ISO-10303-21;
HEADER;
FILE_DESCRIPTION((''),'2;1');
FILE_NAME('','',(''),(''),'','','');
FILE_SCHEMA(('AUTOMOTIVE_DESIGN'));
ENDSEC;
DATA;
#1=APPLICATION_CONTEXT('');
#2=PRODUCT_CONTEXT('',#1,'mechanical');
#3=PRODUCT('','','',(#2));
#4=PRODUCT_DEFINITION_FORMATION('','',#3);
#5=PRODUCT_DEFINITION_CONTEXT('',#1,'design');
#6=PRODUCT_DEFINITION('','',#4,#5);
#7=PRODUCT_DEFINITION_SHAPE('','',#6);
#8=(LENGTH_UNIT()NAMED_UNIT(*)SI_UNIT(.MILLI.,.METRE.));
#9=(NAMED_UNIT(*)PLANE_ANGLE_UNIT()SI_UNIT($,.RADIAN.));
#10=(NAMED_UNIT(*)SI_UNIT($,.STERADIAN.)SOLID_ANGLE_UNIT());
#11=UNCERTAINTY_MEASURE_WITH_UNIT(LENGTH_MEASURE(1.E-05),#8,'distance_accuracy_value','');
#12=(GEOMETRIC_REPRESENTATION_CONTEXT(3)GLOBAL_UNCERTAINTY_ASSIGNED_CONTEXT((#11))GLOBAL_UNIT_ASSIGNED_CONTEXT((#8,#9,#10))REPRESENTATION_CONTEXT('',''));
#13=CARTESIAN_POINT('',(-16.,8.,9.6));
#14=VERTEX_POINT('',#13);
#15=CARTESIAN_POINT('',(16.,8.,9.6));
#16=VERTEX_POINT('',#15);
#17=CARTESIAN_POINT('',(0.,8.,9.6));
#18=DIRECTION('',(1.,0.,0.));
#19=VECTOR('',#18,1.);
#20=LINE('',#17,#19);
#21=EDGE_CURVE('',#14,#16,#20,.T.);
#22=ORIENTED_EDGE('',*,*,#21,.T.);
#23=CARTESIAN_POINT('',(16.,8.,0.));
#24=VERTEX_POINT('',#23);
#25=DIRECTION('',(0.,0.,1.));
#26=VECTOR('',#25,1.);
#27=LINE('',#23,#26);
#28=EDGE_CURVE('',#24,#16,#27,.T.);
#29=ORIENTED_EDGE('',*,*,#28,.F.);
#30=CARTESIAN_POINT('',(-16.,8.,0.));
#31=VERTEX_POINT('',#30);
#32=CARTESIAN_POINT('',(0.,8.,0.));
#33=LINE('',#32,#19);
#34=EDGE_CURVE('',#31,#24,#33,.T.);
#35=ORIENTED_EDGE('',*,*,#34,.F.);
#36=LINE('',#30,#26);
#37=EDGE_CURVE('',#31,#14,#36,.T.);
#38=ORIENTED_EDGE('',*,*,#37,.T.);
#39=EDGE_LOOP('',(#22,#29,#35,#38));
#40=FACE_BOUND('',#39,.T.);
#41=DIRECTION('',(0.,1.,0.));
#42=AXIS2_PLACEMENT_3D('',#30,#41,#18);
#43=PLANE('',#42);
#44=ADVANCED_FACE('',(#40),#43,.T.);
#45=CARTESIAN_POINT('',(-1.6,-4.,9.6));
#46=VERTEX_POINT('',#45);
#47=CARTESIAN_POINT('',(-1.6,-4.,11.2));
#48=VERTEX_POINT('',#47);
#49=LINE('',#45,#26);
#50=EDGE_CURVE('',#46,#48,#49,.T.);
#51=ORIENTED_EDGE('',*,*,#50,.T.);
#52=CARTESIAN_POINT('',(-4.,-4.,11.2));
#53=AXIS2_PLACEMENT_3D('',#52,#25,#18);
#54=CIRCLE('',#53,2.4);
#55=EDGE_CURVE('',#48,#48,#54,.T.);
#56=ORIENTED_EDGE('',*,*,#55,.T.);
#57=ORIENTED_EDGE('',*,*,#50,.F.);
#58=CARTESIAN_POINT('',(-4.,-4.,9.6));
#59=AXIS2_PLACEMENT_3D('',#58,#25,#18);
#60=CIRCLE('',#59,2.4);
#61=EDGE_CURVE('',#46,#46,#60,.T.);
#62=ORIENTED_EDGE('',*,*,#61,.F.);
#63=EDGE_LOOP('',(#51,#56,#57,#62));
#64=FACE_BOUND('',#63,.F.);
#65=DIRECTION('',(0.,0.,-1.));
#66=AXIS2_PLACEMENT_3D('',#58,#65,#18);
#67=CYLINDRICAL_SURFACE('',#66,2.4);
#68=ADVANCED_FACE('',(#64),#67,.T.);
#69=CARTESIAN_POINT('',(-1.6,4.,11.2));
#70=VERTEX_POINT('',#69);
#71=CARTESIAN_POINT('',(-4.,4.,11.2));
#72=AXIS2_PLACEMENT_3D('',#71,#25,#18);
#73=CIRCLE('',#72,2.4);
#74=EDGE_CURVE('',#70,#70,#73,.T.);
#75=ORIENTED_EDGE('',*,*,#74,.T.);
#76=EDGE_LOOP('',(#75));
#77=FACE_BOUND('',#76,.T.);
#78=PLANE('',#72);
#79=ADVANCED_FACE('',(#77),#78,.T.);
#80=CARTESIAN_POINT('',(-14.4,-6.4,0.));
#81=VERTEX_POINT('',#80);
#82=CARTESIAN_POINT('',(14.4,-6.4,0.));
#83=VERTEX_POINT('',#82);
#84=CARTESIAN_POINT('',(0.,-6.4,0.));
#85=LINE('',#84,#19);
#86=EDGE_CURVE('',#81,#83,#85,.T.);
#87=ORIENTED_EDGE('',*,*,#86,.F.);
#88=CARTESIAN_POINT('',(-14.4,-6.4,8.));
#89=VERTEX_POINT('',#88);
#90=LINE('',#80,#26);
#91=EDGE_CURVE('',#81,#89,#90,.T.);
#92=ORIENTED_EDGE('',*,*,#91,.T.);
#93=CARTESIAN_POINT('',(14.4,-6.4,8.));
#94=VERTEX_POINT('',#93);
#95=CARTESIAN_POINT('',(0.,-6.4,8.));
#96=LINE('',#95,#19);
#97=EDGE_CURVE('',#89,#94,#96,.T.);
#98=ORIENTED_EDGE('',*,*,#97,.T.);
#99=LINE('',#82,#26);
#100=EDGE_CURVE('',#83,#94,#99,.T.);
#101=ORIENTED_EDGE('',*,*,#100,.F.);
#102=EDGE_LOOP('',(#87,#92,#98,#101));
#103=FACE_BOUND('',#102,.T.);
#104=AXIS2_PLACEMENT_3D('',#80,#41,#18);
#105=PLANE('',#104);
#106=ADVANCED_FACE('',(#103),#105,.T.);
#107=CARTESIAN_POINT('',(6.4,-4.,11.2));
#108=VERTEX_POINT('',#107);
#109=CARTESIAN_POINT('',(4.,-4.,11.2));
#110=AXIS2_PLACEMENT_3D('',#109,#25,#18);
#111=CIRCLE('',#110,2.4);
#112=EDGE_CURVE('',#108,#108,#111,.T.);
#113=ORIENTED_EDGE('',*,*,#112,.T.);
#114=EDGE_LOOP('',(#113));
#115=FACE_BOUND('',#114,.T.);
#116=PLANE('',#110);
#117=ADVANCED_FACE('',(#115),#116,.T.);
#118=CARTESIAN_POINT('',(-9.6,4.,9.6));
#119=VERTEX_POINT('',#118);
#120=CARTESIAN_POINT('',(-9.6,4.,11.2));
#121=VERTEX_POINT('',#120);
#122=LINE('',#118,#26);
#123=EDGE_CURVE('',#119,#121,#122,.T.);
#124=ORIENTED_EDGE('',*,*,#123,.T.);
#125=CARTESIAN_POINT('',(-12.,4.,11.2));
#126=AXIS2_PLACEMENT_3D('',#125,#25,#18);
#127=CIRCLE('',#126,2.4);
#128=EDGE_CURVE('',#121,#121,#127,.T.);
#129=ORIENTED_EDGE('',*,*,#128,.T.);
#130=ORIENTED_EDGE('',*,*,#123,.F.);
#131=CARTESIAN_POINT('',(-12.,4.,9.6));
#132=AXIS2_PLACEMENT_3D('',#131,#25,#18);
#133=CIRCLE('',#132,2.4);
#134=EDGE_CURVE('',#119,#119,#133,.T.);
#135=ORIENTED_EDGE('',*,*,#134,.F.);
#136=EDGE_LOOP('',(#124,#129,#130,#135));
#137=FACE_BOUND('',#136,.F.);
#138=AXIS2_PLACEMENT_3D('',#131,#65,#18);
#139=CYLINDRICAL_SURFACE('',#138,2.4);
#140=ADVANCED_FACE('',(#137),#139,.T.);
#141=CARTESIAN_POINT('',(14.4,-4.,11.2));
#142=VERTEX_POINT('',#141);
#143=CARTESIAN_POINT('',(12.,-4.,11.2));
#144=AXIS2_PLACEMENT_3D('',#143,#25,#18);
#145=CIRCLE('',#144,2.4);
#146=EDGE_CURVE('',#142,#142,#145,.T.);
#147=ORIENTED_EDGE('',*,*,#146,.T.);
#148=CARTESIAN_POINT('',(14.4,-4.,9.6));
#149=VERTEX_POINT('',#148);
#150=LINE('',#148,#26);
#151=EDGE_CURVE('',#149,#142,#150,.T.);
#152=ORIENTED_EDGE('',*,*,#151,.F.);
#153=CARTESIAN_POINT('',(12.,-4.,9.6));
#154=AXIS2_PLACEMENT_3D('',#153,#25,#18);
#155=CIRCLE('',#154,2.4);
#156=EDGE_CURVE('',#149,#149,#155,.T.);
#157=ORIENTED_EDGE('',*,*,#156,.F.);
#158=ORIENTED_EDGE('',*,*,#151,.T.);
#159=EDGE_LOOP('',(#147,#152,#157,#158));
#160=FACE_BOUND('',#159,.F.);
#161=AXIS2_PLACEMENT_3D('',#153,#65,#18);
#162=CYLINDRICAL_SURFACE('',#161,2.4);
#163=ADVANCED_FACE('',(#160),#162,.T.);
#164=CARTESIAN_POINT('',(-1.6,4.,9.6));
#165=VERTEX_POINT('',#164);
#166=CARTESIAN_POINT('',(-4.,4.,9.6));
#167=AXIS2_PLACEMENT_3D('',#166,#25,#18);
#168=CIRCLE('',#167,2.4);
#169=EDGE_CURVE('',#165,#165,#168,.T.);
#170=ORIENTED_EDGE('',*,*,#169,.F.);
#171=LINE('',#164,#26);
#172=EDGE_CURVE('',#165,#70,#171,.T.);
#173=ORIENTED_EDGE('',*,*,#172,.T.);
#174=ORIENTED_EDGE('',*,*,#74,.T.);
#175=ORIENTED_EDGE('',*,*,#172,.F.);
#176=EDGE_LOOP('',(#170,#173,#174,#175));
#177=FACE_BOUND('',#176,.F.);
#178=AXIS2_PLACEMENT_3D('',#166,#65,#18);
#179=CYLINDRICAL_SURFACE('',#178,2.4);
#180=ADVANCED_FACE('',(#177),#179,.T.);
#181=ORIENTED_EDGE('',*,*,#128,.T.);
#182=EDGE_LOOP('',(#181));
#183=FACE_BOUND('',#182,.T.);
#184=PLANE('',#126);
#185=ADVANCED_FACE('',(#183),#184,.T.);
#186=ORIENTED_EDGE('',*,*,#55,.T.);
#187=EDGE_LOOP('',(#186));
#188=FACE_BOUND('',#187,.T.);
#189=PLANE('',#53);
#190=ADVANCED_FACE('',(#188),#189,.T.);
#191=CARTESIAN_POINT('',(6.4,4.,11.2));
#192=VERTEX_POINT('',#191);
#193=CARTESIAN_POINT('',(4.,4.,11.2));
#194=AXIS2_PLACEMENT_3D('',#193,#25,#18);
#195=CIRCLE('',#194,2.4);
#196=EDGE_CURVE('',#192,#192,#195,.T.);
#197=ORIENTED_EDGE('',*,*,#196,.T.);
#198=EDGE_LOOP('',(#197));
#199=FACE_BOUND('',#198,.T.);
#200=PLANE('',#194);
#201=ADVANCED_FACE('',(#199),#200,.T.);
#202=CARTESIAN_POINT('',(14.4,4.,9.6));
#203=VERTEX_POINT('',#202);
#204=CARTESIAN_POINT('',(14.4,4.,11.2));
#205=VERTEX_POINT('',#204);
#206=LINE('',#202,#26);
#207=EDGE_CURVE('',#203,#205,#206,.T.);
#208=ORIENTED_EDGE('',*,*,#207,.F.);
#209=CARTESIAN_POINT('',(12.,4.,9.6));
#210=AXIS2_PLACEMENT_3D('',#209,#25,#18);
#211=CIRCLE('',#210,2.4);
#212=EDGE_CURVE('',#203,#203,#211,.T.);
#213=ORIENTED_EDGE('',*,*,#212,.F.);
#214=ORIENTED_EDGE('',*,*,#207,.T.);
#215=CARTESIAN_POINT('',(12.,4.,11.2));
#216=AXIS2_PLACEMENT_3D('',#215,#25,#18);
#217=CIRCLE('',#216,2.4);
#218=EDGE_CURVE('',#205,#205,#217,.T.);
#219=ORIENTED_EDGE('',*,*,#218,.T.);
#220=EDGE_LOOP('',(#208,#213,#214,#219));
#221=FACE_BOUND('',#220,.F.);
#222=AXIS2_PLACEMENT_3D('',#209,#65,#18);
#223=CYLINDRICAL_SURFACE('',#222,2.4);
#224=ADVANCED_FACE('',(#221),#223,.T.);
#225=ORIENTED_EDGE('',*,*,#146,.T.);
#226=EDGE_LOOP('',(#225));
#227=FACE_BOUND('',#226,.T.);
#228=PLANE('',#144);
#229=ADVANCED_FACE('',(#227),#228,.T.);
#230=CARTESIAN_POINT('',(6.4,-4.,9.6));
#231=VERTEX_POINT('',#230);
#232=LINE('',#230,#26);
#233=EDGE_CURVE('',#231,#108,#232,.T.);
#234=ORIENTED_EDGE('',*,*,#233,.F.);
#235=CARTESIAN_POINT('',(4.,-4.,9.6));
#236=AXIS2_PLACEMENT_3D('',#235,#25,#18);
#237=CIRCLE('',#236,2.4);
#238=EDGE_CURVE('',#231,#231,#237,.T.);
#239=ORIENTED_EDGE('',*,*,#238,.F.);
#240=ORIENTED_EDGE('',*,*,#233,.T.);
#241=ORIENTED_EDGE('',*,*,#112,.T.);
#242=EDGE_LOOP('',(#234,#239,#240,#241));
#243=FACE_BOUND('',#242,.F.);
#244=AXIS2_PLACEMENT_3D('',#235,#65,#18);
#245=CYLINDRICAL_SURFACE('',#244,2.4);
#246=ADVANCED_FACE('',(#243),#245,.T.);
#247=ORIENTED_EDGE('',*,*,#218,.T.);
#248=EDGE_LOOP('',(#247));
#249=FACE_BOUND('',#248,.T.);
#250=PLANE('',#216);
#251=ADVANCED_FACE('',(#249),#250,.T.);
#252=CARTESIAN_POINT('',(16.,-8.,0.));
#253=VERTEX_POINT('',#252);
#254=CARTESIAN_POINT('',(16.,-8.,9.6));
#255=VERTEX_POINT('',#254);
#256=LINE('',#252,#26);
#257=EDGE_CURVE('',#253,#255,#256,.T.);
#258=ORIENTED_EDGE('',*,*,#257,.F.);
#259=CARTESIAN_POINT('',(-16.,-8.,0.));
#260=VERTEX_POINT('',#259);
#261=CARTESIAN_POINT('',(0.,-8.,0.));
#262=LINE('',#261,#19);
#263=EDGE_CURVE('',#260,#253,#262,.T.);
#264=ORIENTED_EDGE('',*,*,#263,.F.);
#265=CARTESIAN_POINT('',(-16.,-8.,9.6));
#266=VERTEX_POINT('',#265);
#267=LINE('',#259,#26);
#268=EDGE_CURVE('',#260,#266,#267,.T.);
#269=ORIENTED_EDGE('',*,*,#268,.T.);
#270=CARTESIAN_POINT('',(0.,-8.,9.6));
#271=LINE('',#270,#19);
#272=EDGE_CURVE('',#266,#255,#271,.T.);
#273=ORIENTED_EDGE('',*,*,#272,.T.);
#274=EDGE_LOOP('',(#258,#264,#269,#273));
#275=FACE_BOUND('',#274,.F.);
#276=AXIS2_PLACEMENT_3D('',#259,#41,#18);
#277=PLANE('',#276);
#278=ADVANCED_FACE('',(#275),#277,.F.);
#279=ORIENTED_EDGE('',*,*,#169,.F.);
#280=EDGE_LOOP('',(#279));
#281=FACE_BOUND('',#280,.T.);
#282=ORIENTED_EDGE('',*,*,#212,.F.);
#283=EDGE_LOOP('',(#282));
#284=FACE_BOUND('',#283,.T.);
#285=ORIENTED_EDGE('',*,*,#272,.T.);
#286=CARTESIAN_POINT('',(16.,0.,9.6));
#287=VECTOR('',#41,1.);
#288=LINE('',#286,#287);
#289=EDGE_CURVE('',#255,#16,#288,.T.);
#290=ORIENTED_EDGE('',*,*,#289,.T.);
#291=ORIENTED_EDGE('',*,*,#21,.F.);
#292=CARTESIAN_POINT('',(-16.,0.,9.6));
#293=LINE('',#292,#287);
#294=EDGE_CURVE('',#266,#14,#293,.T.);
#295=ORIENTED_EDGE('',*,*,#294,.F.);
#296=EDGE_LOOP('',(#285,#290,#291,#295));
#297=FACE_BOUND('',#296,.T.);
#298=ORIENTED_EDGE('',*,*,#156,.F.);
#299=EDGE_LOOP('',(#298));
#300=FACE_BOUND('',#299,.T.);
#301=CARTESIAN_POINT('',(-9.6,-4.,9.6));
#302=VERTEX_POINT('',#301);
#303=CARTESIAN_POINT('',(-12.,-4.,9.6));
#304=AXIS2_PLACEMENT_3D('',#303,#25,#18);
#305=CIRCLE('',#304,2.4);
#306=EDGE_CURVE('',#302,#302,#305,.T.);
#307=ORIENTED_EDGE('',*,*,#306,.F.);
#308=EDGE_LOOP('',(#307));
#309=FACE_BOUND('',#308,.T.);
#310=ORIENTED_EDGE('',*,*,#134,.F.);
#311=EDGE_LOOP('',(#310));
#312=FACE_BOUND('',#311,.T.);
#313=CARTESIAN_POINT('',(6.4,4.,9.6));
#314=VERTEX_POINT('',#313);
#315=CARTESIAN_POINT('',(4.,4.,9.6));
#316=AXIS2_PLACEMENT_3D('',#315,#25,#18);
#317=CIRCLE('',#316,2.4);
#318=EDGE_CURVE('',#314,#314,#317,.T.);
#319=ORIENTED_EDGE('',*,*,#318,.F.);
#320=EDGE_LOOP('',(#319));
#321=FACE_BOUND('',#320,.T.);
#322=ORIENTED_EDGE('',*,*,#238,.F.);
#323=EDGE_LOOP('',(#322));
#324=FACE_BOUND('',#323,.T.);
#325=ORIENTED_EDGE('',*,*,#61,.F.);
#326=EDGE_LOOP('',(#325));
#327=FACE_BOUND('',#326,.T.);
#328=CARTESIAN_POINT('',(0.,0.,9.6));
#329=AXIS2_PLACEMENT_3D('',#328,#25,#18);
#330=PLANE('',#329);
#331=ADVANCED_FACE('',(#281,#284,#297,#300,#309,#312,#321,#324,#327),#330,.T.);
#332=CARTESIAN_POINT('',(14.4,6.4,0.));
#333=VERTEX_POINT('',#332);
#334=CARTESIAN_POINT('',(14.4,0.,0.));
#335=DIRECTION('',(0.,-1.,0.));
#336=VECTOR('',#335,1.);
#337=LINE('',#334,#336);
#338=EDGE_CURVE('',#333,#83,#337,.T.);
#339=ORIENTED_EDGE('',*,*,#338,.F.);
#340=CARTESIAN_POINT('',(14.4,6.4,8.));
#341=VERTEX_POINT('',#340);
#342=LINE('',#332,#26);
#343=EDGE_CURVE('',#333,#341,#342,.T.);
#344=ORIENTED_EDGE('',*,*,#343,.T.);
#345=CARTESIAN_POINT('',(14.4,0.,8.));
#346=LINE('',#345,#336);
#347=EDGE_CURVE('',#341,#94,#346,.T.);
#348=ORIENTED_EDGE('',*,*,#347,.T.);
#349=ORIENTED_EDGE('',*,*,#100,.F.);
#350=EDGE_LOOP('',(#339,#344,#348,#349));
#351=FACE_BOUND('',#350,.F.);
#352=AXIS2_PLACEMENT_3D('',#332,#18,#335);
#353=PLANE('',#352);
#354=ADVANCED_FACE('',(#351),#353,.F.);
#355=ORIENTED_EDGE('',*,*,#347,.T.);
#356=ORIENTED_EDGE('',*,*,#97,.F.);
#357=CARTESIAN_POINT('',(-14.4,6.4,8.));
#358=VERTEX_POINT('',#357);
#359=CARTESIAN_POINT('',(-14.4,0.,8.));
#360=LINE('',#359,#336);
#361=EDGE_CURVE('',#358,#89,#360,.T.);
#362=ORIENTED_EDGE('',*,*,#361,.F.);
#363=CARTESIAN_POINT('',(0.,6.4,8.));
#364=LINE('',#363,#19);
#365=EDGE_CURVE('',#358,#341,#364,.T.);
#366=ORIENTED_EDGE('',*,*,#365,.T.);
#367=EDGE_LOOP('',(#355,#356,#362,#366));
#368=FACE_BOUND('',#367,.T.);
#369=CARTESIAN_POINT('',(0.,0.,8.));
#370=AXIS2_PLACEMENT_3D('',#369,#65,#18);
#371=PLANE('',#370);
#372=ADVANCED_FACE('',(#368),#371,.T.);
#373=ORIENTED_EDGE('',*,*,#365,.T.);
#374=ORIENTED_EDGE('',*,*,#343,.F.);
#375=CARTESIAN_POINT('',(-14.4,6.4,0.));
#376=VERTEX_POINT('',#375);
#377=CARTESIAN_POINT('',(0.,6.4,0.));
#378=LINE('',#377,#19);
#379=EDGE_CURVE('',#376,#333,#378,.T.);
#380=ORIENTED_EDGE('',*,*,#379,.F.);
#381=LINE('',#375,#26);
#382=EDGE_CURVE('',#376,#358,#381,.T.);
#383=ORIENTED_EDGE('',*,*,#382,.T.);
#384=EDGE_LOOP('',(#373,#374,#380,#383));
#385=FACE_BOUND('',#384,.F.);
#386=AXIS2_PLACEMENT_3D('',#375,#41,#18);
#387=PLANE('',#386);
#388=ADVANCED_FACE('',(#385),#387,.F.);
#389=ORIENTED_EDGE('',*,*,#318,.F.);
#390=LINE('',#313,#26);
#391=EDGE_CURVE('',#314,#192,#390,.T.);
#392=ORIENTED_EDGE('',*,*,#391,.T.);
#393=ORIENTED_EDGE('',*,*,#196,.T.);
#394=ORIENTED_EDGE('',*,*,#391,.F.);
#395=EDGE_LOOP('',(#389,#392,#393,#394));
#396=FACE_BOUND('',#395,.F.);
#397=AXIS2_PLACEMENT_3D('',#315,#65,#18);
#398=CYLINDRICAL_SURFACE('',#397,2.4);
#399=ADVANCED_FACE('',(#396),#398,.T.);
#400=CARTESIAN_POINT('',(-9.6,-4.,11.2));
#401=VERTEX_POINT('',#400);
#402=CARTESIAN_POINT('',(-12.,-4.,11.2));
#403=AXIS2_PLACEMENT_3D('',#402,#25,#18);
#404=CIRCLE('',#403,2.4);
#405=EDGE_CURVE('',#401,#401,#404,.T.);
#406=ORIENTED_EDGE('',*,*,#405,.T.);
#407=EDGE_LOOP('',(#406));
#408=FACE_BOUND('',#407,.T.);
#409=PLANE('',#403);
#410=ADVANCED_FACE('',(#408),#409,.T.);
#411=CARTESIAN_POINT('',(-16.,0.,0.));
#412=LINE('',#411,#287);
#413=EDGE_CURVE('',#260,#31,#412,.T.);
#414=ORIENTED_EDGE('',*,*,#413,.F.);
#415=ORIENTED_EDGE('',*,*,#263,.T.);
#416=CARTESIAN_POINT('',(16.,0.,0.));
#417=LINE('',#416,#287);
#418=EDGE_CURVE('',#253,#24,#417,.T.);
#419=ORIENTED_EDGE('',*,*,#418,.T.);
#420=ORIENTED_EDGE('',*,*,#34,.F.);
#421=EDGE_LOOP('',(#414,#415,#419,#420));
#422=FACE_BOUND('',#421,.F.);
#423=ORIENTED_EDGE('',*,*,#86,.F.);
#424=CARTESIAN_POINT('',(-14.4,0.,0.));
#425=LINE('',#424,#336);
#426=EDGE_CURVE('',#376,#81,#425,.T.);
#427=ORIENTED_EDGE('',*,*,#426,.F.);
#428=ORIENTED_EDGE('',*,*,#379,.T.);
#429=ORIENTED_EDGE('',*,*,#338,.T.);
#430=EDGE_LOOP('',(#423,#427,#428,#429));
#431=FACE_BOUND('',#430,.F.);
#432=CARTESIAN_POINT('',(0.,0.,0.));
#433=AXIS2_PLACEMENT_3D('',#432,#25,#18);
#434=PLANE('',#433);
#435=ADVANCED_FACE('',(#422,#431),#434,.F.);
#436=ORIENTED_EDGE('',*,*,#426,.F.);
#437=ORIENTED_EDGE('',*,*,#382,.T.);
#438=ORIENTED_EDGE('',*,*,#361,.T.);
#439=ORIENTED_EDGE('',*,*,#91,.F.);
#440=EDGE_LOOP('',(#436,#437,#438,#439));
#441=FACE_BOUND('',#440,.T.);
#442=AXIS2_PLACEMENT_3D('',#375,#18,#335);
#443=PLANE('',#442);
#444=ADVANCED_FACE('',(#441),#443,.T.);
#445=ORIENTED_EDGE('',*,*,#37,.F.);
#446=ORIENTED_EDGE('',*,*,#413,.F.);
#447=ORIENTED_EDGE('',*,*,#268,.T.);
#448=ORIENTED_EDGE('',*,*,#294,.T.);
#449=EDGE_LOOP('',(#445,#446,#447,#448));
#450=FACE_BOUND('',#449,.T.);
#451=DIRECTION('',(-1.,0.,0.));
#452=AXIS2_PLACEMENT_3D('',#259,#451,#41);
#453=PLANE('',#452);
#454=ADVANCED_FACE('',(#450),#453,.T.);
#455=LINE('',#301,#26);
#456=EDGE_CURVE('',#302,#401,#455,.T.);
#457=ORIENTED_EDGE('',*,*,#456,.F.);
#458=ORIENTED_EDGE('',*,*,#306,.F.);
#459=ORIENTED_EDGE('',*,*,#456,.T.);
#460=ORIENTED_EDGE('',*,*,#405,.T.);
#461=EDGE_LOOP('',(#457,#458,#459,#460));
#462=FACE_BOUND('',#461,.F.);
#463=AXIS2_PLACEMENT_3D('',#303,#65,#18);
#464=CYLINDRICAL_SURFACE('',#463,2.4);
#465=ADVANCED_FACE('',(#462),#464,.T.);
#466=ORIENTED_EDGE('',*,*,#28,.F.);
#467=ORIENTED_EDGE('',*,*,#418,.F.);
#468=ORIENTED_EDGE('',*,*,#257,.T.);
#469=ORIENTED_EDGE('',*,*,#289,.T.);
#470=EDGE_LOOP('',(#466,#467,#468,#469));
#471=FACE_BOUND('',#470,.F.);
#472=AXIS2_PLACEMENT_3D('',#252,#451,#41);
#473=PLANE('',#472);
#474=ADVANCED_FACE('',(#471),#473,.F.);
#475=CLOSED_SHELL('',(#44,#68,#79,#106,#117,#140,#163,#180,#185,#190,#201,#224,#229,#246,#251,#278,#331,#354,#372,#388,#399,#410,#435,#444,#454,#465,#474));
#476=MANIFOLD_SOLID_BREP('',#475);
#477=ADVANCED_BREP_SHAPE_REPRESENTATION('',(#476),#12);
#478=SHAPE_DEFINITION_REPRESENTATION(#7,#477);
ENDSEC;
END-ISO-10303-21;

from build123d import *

# Parameters (mm, degrees)
F0_W     = 32
F0_H     = 16
F1_DEPTH = 9.6
F2_W     = 28.8
F2_H     = 12.8
F3_DEPTH = 8
F4_R     = 2.4
F5_DEPTH = 1.6


with BuildPart() as f1:
    # F0 (on Top) → F1 (new body)
    with BuildSketch(Plane.XY):
        Rectangle(F0_W, F0_H)
    extrude(amount=F1_DEPTH)

    # F2 (on face) → F3 (cut)
    with BuildSketch(Plane(origin=(0, 0, 0), x_dir=(1, 0, 0), z_dir=(0, 0, -1))):
        Rectangle(F2_W, F2_H)
    extrude(amount=-F3_DEPTH, mode=Mode.SUBTRACT)

    # F4 (on face) → F5 (join)
    with BuildSketch(Plane.XY.offset(9.6)):
        with Locations((-12, 4)):
            Circle(F4_R)
        with Locations((-4, 4)):
            Circle(F4_R)
        with Locations((4, 4)):
            Circle(F4_R)
        with Locations((12, 4)):
            Circle(F4_R)
        with Locations((-12, -4)):
            Circle(F4_R)
        with Locations((-4, -4)):
            Circle(F4_R)
        with Locations((4, -4)):
            Circle(F4_R)
        with Locations((12, -4)):
            Circle(F4_R)
    extrude(amount=F5_DEPTH)


solid = f1.part
